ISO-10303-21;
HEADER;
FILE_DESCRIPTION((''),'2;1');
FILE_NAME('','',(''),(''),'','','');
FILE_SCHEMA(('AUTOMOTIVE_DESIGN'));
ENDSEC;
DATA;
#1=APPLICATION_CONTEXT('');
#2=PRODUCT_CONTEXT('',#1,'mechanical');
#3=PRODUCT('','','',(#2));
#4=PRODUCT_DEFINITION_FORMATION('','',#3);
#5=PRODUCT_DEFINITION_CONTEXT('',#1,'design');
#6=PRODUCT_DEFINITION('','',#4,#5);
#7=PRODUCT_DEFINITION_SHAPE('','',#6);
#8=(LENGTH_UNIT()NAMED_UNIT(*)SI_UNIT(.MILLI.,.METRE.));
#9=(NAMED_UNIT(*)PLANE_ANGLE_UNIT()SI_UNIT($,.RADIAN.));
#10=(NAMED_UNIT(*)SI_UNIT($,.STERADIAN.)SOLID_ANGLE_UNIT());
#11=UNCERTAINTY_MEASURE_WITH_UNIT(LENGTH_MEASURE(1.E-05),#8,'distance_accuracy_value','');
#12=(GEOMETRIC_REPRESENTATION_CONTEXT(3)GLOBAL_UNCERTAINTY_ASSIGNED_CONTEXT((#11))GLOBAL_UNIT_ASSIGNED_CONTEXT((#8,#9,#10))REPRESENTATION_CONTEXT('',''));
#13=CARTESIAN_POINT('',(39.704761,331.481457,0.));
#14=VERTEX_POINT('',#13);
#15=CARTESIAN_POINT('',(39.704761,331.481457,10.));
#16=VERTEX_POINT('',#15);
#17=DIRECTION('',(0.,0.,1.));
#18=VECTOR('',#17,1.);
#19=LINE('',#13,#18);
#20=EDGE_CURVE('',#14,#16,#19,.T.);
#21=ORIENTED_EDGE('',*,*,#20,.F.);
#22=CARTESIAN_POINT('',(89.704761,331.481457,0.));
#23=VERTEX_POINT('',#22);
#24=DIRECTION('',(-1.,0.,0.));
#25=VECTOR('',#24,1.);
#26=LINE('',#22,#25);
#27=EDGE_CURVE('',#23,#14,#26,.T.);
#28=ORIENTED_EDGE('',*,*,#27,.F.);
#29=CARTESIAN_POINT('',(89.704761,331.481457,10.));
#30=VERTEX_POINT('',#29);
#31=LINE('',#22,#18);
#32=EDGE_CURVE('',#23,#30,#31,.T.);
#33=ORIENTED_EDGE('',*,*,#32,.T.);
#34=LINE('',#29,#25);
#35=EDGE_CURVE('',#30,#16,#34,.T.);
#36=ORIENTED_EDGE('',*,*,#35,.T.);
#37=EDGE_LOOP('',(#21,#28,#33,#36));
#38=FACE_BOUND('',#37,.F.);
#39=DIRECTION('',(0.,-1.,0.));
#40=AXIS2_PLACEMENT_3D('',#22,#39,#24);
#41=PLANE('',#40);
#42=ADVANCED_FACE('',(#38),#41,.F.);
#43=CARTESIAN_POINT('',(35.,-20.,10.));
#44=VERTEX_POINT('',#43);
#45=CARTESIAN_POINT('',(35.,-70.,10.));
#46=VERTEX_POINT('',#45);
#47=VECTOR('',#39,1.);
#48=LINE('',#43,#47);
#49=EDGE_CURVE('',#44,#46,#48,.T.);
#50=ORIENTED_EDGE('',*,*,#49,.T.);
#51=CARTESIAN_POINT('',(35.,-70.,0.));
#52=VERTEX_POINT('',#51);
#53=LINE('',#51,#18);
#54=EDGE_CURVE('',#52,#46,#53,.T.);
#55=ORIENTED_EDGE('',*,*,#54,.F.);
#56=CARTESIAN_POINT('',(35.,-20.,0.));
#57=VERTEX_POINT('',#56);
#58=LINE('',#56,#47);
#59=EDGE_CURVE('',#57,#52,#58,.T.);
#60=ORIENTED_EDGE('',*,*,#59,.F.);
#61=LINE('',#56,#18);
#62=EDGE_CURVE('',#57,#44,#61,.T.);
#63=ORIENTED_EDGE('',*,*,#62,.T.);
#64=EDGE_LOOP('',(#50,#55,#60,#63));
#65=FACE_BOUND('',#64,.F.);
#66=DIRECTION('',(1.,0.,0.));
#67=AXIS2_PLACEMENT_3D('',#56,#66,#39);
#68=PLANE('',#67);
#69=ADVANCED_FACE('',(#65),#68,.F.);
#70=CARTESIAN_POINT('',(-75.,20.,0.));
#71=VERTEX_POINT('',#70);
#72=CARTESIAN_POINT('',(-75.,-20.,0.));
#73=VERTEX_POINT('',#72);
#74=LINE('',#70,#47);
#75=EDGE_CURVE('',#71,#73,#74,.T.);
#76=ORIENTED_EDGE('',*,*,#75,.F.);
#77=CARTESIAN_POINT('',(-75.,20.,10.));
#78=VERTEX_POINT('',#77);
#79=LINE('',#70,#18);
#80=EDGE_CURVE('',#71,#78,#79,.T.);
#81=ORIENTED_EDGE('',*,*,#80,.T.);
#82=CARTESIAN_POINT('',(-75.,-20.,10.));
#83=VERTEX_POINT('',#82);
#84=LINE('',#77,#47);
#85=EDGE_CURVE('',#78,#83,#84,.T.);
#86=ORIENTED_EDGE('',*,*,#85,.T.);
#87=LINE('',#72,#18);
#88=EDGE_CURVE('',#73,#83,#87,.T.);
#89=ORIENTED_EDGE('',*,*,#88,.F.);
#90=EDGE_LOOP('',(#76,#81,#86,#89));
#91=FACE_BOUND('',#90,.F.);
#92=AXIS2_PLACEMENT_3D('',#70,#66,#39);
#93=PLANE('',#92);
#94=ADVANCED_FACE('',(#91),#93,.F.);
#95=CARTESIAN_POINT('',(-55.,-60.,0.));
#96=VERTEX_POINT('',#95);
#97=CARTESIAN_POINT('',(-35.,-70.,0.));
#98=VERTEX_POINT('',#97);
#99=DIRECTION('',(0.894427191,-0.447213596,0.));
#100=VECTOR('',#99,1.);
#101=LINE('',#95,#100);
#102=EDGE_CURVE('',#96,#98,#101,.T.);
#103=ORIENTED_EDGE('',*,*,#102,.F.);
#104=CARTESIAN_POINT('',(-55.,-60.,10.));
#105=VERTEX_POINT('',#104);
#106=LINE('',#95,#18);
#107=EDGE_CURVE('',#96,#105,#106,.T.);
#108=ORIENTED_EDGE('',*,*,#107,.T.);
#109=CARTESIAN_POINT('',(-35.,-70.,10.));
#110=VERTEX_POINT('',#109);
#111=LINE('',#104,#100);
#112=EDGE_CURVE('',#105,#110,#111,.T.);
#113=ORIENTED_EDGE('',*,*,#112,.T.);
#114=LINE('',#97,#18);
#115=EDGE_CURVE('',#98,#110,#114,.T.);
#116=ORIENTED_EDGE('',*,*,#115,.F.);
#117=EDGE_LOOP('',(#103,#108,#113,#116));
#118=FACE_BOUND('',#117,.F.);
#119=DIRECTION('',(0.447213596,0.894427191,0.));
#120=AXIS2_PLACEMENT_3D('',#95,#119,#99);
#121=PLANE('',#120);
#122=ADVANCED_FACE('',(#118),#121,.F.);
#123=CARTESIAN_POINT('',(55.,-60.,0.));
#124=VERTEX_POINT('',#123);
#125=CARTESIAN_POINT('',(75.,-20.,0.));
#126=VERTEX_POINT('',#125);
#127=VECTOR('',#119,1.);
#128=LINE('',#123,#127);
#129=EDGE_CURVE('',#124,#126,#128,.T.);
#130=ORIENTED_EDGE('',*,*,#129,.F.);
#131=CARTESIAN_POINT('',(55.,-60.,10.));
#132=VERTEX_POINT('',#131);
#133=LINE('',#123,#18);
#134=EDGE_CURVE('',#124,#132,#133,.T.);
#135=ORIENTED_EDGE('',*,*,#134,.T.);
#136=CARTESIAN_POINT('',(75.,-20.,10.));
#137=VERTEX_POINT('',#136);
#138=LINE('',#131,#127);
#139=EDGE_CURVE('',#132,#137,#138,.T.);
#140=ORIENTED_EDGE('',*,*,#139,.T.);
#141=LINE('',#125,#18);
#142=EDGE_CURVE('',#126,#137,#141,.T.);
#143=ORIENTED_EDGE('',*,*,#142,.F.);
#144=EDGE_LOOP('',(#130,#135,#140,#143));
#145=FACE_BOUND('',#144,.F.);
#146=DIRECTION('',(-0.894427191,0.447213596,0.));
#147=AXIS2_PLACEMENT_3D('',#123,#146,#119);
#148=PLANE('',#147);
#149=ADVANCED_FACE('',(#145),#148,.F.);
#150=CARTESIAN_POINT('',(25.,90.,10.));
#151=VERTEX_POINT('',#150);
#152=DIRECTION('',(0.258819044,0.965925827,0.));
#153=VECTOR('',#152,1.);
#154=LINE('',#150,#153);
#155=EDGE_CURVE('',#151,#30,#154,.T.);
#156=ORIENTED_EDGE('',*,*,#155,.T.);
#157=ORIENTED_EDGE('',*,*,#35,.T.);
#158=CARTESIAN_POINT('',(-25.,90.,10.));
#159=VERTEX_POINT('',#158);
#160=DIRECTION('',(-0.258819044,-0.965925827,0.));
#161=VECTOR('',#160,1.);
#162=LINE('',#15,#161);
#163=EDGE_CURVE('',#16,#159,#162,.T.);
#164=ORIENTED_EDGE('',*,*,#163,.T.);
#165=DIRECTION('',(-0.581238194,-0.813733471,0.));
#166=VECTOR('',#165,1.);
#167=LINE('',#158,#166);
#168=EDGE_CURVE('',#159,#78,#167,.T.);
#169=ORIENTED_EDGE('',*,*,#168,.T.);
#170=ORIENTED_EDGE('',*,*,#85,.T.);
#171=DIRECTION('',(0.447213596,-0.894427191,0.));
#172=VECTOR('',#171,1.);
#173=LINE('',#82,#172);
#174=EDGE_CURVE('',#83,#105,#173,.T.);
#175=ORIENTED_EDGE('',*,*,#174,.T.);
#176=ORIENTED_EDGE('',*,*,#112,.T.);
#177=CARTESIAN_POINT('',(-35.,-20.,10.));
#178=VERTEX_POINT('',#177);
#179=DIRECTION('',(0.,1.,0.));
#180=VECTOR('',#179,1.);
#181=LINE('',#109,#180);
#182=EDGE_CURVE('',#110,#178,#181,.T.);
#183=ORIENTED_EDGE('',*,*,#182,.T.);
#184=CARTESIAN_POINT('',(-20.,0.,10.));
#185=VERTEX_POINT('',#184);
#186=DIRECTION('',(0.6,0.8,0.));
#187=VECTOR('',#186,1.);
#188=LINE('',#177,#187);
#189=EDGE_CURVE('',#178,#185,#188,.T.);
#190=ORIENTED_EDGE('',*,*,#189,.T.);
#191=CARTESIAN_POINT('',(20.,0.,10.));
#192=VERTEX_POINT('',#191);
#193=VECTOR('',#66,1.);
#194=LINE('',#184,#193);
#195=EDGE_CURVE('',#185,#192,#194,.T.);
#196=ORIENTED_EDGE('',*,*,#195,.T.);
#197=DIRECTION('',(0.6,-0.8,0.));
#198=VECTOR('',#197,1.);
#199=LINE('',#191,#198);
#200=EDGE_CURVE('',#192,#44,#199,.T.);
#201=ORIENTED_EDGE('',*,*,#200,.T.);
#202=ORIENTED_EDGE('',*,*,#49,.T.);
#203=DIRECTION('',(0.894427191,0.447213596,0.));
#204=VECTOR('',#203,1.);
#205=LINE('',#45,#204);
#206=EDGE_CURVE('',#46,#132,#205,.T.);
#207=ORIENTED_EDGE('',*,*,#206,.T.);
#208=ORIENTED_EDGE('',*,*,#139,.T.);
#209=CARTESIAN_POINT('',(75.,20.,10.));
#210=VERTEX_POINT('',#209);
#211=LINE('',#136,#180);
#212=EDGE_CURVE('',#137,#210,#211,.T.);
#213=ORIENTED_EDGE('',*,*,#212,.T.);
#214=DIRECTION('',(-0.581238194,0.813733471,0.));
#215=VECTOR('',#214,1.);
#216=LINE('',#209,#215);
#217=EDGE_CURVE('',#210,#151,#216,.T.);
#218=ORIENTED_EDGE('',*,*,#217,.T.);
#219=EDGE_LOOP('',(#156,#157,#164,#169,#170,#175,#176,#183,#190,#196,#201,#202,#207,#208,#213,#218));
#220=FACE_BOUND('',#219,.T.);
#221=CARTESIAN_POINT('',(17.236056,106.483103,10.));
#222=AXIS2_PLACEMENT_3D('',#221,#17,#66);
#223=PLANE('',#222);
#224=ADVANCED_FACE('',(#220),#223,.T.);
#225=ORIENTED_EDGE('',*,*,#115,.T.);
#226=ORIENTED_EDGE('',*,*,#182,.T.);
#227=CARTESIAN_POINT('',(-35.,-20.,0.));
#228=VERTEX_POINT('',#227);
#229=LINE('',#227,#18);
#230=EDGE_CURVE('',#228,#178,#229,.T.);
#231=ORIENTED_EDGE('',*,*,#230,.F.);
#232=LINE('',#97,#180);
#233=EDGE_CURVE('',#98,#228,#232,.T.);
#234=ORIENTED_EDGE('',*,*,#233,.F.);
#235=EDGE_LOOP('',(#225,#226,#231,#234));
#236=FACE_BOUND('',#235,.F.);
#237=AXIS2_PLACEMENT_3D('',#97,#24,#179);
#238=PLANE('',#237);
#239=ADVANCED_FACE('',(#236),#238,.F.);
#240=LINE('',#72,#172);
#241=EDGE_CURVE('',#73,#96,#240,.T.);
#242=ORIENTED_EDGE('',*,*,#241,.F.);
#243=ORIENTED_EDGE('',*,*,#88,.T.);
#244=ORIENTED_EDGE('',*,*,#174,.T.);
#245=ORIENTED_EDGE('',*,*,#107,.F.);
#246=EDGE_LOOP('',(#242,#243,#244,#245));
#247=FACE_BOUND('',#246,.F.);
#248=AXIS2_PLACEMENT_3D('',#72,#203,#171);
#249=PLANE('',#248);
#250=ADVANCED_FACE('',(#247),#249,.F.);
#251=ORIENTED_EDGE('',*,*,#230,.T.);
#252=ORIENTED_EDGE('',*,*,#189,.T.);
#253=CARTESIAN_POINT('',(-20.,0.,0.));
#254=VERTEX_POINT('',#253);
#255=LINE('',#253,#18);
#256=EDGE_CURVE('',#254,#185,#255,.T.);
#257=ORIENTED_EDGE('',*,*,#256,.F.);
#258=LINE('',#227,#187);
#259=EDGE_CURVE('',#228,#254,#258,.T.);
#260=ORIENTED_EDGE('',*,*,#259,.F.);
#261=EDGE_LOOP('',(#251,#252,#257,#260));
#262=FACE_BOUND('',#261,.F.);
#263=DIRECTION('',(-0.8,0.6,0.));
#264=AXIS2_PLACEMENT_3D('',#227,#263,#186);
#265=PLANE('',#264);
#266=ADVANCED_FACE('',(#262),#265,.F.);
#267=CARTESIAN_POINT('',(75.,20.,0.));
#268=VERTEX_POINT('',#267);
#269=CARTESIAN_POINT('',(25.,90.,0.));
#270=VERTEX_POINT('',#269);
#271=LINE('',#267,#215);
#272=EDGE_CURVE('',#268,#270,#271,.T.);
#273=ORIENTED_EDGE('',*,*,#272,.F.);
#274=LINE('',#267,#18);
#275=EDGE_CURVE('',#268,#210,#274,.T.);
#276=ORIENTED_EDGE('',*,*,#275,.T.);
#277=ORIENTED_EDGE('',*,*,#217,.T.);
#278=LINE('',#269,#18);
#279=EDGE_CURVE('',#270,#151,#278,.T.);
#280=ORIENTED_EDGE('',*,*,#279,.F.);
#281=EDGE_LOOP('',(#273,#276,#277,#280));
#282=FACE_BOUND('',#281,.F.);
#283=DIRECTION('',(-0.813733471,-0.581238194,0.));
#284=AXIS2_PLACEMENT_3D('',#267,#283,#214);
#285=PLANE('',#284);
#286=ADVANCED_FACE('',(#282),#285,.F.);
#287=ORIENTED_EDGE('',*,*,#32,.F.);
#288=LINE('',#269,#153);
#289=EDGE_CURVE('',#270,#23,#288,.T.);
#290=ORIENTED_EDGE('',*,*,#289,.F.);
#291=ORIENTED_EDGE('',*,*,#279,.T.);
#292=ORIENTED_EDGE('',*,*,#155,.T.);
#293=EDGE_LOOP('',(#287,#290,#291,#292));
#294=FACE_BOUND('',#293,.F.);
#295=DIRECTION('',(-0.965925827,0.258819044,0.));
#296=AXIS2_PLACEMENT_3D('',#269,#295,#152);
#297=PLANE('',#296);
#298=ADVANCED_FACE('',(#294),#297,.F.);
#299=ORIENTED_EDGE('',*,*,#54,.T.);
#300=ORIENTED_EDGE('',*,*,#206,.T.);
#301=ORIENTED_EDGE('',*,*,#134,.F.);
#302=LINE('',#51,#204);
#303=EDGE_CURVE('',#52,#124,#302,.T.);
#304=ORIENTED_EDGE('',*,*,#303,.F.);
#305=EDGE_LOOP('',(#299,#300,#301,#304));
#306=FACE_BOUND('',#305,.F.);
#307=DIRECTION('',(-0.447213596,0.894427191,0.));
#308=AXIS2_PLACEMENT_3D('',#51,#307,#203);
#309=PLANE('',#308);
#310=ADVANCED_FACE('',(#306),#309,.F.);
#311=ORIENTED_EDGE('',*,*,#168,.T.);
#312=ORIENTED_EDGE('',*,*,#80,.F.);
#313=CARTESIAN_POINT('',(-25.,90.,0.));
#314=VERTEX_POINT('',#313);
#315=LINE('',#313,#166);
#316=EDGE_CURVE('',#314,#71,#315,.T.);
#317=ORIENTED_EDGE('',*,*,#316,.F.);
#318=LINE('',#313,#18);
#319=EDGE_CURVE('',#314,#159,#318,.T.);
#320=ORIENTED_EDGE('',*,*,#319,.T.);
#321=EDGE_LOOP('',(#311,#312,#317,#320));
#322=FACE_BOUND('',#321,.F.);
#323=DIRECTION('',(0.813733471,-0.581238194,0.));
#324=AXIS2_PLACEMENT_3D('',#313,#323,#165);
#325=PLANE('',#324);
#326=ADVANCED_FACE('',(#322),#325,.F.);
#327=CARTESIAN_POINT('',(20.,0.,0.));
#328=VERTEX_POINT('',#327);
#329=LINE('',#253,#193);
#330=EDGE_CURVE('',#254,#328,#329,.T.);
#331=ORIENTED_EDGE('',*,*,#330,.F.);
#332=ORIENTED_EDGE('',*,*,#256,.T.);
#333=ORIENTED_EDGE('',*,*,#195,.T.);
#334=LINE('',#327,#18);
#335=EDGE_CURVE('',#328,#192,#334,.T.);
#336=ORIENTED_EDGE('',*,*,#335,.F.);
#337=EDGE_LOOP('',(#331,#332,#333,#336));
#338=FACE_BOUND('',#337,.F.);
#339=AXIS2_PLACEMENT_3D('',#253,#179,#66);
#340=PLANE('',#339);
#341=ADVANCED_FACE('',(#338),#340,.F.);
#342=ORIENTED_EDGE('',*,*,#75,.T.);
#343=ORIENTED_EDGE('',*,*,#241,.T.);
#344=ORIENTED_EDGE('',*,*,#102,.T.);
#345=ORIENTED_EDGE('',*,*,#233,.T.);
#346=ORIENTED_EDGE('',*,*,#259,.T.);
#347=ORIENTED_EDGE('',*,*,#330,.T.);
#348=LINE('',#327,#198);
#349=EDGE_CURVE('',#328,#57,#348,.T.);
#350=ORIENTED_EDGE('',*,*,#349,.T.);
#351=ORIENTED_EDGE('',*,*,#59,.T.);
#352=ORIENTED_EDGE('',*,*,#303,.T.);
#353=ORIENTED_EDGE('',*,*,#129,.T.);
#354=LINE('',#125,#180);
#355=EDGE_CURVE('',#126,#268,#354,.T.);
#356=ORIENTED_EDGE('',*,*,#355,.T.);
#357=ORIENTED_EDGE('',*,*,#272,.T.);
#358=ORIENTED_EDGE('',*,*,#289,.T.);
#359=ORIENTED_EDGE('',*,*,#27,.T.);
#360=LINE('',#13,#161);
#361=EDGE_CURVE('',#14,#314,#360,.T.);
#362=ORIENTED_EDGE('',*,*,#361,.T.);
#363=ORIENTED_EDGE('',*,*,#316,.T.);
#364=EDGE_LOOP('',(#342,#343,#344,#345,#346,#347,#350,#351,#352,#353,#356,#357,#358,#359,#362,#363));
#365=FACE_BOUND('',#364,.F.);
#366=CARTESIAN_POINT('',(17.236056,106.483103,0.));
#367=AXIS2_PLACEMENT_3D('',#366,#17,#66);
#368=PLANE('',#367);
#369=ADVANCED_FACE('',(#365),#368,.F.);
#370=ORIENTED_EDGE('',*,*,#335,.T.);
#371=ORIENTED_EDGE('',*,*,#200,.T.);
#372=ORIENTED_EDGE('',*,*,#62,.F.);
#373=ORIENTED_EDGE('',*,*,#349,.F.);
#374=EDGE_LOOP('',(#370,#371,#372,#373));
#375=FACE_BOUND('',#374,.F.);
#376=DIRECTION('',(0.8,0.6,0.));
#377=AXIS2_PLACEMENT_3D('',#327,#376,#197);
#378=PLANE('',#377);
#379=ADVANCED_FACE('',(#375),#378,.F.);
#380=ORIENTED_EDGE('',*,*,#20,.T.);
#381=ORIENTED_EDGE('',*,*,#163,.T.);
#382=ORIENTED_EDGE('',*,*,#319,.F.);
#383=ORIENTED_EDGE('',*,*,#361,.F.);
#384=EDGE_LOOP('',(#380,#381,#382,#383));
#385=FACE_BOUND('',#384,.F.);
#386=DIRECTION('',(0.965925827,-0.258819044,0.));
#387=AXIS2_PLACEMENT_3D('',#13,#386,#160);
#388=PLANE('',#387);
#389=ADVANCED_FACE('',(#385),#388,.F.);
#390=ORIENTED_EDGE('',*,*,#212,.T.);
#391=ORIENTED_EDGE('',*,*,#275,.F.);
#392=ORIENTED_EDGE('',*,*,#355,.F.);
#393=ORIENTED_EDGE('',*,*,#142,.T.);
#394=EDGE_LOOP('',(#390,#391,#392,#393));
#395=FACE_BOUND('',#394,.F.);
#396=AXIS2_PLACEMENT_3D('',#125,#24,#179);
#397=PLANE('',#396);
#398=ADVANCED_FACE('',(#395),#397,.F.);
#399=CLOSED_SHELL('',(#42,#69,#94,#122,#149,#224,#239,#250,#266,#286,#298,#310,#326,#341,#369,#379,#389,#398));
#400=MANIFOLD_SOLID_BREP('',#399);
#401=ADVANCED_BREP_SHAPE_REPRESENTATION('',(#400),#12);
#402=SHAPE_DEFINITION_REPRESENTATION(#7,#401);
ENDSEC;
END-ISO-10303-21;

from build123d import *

# Parameters (mm, degrees)
F1_DEPTH = 10


with BuildPart() as f1:
    # F0 (on Top) → F1 (new body)
    with BuildSketch(Plane.XY):
        Polygon((-35, -20), (-20, 0), (20, 0), (35, -20), (35, -70), (55, -60), (75, -20), (75, 20), (25, 90), (89.704761, 331.481457), (39.704761, 331.481457), (-25, 90), (-75, 20), (-75, -20), (-55, -60), (-35, -70), align=None)
    extrude(amount=F1_DEPTH)


solid = f1.part
